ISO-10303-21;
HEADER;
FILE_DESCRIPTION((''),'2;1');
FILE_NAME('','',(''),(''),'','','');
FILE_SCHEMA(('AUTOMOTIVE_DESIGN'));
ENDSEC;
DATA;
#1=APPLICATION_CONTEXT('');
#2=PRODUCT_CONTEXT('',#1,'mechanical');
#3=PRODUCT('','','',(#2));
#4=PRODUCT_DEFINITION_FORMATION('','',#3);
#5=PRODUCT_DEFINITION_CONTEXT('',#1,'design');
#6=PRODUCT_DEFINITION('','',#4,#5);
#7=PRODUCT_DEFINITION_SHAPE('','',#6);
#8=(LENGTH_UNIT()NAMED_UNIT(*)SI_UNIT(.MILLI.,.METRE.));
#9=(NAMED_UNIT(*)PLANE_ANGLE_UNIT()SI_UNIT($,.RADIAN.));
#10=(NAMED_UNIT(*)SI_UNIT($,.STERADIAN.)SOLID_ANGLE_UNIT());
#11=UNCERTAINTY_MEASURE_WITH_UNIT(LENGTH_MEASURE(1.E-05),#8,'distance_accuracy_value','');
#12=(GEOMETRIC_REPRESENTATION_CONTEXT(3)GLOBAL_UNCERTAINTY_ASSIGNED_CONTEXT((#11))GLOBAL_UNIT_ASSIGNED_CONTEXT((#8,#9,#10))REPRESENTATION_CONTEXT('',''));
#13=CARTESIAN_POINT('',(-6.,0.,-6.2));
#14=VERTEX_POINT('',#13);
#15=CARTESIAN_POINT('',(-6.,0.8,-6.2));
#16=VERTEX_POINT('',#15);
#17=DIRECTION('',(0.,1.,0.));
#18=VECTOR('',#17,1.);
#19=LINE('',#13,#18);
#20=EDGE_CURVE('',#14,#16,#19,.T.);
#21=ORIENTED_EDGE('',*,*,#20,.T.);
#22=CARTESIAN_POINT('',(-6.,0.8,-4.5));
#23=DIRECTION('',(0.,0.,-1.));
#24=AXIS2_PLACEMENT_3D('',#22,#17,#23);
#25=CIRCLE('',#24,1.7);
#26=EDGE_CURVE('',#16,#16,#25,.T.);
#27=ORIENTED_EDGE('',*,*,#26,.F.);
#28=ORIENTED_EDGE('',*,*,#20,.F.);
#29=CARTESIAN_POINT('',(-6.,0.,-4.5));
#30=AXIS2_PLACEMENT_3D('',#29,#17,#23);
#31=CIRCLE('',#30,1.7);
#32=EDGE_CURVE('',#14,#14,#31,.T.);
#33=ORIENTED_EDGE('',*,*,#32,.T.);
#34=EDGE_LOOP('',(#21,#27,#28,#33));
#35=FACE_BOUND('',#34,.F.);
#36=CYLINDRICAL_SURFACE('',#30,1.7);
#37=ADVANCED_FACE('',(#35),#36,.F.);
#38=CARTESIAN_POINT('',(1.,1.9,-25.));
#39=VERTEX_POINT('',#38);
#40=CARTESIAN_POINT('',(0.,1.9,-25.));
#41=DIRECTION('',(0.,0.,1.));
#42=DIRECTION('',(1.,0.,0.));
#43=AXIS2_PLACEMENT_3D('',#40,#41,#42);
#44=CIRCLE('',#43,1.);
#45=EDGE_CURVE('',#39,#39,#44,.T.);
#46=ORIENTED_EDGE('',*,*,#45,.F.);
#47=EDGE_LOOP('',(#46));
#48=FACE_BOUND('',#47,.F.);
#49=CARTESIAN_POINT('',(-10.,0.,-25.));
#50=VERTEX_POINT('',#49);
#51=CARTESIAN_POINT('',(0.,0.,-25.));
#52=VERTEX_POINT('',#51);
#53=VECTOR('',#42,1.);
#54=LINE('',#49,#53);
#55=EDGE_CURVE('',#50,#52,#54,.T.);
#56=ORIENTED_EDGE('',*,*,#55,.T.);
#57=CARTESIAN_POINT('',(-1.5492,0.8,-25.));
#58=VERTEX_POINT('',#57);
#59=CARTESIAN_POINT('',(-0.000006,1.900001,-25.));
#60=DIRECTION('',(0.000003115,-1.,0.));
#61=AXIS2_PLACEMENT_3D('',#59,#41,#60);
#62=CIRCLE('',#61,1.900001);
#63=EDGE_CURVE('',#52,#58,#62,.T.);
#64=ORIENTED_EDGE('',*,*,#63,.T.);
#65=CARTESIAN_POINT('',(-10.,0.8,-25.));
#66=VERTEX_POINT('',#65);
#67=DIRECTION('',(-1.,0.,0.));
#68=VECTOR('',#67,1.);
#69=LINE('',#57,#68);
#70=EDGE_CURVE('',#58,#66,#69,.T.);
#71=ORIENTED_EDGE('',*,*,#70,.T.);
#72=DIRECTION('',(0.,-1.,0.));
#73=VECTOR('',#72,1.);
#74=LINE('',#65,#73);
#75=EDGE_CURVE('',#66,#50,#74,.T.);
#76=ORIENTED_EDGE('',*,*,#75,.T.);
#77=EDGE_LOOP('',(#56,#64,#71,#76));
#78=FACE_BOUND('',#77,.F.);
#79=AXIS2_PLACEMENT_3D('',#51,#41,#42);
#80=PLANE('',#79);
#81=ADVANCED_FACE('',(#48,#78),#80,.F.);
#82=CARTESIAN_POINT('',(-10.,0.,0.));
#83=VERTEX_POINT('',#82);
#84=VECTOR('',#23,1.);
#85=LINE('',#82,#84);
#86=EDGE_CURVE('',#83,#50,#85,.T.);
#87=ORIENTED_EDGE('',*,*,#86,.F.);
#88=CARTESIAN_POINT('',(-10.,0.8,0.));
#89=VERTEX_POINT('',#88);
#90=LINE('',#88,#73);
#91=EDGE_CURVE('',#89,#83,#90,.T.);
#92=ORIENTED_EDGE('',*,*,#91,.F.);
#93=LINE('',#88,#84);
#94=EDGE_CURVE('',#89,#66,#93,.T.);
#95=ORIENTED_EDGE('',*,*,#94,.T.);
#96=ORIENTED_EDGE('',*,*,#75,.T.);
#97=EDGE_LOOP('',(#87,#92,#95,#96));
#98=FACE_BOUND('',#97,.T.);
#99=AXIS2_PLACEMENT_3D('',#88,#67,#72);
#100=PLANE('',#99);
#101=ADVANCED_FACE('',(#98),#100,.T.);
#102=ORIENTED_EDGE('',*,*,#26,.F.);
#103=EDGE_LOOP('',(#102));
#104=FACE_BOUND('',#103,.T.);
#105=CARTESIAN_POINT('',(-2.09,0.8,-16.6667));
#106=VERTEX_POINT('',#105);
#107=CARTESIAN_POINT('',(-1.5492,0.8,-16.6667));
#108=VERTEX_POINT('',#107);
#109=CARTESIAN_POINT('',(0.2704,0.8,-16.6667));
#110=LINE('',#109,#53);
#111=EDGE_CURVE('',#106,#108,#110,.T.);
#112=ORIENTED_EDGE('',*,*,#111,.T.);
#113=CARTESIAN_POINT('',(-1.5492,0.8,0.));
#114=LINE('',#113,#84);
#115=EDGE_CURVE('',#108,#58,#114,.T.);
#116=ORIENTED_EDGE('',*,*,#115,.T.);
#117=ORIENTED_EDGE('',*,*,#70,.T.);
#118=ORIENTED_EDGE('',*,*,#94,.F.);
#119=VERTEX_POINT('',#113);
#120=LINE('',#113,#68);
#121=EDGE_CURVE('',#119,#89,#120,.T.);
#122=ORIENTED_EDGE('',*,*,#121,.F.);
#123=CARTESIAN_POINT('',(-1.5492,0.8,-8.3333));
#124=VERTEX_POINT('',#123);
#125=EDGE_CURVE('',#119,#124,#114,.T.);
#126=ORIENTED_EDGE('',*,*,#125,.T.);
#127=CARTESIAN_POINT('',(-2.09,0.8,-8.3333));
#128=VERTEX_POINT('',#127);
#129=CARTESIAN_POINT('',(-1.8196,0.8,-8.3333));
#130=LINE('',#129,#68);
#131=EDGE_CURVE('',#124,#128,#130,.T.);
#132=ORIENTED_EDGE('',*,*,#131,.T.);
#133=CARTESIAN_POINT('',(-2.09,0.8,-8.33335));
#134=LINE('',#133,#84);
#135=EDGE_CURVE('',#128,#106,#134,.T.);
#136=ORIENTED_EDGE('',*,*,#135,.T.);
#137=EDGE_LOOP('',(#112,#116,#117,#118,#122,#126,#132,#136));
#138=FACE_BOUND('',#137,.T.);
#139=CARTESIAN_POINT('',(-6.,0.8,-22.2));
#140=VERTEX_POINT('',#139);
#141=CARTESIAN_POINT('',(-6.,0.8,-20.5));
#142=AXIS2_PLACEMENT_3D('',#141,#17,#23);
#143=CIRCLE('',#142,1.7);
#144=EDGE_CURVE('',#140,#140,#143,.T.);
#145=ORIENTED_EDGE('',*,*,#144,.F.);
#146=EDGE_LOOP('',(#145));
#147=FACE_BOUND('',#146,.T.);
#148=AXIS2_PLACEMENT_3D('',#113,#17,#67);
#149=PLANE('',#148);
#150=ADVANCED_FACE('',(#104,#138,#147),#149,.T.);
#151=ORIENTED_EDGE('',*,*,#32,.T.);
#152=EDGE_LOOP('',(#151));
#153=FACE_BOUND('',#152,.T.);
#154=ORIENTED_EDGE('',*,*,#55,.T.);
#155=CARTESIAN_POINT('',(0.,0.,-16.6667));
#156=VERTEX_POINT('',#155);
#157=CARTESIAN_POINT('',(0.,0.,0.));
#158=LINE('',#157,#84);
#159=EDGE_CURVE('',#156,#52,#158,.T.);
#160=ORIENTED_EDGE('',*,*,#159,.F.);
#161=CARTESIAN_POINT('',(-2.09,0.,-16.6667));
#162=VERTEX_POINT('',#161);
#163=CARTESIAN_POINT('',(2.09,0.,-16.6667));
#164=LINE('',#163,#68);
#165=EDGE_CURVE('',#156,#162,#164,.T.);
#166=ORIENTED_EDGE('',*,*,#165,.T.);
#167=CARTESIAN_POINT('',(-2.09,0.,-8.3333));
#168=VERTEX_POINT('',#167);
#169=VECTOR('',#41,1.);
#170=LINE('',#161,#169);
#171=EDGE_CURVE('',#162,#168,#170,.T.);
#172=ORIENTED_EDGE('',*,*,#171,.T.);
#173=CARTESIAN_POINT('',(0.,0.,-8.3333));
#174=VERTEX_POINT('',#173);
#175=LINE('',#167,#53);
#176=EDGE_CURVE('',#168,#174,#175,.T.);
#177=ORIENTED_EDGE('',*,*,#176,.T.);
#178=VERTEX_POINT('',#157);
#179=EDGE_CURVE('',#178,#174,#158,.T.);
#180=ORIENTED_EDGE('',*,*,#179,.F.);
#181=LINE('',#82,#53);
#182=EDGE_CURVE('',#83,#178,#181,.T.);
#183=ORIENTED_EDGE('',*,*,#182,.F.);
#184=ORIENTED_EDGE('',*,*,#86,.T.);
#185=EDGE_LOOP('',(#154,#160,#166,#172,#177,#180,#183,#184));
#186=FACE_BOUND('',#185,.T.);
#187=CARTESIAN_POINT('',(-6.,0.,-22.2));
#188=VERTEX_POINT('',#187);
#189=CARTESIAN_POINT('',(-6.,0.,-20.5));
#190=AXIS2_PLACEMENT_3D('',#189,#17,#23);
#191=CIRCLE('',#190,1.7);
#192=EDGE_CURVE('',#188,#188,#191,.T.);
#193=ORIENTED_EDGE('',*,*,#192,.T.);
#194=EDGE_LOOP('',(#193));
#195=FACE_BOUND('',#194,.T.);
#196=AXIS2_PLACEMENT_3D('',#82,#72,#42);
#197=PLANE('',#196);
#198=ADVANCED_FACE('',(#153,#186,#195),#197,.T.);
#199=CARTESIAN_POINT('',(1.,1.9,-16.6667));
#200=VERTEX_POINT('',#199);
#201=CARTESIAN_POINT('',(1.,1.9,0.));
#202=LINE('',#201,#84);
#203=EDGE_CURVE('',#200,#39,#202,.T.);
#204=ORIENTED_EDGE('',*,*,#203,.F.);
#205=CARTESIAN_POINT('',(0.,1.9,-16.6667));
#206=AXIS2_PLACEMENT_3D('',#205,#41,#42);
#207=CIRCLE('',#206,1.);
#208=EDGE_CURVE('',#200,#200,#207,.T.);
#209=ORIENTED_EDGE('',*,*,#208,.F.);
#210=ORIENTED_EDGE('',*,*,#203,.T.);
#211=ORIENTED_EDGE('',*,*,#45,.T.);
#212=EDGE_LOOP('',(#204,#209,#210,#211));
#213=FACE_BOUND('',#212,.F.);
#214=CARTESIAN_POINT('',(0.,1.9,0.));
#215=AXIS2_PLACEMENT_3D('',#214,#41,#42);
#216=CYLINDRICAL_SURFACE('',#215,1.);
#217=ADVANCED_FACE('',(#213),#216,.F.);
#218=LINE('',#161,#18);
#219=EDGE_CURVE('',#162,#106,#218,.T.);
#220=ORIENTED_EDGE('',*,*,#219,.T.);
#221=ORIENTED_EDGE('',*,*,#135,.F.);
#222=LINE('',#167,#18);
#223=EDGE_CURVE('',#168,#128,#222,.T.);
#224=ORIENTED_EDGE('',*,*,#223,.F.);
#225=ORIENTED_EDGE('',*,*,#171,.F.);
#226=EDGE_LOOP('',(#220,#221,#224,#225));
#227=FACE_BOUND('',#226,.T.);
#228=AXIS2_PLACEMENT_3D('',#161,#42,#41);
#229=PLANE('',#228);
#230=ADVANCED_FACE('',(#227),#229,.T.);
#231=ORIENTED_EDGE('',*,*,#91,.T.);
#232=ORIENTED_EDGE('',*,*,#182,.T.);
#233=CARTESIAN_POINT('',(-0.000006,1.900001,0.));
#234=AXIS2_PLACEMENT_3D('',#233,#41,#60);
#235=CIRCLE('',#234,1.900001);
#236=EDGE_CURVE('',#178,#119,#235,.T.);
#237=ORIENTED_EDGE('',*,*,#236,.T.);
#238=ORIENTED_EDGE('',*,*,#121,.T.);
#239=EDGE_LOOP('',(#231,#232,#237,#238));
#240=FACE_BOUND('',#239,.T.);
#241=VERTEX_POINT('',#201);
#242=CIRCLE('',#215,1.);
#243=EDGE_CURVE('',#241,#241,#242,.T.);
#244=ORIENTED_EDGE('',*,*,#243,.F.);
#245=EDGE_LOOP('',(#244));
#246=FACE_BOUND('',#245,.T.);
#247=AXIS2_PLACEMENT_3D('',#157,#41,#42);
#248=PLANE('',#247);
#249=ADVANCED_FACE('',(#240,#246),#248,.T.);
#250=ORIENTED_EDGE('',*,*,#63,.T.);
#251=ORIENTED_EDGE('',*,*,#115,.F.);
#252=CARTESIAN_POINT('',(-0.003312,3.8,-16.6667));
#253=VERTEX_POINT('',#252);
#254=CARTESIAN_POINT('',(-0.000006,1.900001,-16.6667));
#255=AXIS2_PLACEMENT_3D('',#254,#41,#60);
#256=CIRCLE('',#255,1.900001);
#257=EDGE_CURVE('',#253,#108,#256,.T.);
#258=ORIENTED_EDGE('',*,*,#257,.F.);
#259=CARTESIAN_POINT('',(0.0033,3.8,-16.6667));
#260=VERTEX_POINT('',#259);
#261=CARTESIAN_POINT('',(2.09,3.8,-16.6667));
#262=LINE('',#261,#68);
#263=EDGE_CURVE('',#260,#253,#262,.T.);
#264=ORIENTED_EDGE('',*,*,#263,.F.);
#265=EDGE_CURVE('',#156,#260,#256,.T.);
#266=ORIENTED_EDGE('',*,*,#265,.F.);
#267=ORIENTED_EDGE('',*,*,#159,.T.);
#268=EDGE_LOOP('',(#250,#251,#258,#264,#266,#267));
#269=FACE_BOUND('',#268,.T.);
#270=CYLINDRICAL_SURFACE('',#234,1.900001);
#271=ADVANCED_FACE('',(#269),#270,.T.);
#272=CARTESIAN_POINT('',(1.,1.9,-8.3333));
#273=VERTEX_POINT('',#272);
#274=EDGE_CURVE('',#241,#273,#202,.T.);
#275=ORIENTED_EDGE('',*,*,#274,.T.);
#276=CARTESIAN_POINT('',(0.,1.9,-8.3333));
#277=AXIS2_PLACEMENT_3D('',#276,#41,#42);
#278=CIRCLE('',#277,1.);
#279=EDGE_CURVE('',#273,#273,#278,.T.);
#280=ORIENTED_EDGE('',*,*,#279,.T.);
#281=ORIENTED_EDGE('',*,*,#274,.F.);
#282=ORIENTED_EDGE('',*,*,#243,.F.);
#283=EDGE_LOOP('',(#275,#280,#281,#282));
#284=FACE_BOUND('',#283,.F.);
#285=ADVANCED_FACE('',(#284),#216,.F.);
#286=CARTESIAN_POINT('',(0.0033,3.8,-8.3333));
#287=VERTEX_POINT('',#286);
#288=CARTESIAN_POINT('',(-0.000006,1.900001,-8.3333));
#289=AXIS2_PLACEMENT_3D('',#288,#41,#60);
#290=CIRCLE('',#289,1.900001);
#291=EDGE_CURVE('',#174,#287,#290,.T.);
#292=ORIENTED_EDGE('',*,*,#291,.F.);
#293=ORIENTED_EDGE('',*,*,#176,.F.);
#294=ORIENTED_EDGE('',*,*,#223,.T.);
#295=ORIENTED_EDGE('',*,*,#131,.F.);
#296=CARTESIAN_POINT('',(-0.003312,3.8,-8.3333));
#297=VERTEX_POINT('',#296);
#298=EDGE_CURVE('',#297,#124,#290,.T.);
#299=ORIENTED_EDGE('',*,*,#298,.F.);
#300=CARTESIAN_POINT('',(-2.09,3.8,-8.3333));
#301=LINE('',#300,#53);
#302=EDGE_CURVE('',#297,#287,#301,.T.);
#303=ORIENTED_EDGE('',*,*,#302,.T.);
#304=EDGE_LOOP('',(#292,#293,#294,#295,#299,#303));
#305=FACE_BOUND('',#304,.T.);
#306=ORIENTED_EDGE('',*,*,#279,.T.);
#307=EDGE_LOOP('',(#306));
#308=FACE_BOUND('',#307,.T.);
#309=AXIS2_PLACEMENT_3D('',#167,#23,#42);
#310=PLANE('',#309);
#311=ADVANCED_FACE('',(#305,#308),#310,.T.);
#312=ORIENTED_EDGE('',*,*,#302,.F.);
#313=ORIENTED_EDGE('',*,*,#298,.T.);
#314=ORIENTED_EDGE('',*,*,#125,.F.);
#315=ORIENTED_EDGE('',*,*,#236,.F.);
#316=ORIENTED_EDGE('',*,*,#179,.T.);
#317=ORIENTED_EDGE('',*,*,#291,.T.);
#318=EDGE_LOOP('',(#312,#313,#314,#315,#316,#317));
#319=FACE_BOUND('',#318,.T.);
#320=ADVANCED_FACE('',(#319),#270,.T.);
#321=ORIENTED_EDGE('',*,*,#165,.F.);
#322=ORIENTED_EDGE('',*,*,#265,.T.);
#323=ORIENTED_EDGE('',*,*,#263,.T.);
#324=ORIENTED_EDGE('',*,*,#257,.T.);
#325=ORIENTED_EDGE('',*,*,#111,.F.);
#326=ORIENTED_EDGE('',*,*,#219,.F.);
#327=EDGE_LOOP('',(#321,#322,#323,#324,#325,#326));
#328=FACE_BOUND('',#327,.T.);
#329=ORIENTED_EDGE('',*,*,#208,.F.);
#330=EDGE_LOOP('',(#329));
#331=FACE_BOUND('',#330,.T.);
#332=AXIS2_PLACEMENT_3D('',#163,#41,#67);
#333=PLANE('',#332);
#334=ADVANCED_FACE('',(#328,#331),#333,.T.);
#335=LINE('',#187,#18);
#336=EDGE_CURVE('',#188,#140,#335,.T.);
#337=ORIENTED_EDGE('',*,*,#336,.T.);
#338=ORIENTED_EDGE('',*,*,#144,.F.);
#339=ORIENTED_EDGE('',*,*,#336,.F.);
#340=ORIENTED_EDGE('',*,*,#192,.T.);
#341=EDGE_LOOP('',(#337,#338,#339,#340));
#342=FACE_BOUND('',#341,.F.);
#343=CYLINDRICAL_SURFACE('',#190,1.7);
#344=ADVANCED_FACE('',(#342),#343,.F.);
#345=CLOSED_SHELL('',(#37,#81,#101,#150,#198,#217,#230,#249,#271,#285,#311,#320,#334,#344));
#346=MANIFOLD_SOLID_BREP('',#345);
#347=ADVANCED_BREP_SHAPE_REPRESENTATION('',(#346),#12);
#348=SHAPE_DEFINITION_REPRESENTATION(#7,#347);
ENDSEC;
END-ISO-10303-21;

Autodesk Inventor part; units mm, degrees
sketch "Sketch_15" plane through (0, 0, 0) normal (0, 0, 1) x (1, 0, 0)
  line L0 (-10, 0.8) -> (-10, 0)
  line L1 (-10, 0) -> (0, 0)
  arc A0 (0, 0) -> (-1.5492, 0.8) centre (0, 1.9) ccw
  line L2 (-1.5492, 0.8) -> (-10, 0.8)
  circle A1 centre (0, 1.9) radius 1
extrude "Extrusion1" add sketch "Sketch_15" against normal blind 25
sketch "Sketch_1" plane through (0, 0, 0) normal (0, 1, 0) x (-1, 0, 0)
  line L0 (2.09, -16.6667) -> (2.09, -8.3333)
  line L1 (2.09, -8.3333) -> (-2.09, -8.3333)
  line L2 (-2.09, -8.3333) -> (-2.09, 0)
  line L3 (-2.09, 0) -> (-6, 0)
  line L4 (-6, 0) -> (-6, -25)
  line L5 (-6, -25) -> (-2.09, -25)
  line L6 (-2.09, -25) -> (-2.09, -16.6667)
  line L7 (-2.09, -16.6667) -> (2.09, -16.6667)
extrude "Extrusion2" cut sketch "Sketch_1" along normal blind 3.8
sketch "Sketch3" plane through (-10, 0, 0) normal (0, -1, 0) x (1, 0, 0)
  point P0 (4, -20.5)
hole "Hole1" at (-6, 0, -20.5) direction (0, 1, 0) diameter 3.4 depth 0.8
pattern_linear "Rectangular Pattern1" count 2 spacing 16 along (0, 0, 1) of "Hole1"
ref_plane "to_leaf1_XY" through (0, 1.9, 0) normal (0, 0, 1) x (1, 0, 0)
ref_plane "to_leaf1_YZ" through (0, 1.9, 0) normal (1, 0, 0) x (0, 1, 0)
ref_plane "to_leaf1_ZX" through (0, 1.9, 0) normal (0, 1, 0) x (0, 0, 1)
properties part number "HHS25-LEAF2"
